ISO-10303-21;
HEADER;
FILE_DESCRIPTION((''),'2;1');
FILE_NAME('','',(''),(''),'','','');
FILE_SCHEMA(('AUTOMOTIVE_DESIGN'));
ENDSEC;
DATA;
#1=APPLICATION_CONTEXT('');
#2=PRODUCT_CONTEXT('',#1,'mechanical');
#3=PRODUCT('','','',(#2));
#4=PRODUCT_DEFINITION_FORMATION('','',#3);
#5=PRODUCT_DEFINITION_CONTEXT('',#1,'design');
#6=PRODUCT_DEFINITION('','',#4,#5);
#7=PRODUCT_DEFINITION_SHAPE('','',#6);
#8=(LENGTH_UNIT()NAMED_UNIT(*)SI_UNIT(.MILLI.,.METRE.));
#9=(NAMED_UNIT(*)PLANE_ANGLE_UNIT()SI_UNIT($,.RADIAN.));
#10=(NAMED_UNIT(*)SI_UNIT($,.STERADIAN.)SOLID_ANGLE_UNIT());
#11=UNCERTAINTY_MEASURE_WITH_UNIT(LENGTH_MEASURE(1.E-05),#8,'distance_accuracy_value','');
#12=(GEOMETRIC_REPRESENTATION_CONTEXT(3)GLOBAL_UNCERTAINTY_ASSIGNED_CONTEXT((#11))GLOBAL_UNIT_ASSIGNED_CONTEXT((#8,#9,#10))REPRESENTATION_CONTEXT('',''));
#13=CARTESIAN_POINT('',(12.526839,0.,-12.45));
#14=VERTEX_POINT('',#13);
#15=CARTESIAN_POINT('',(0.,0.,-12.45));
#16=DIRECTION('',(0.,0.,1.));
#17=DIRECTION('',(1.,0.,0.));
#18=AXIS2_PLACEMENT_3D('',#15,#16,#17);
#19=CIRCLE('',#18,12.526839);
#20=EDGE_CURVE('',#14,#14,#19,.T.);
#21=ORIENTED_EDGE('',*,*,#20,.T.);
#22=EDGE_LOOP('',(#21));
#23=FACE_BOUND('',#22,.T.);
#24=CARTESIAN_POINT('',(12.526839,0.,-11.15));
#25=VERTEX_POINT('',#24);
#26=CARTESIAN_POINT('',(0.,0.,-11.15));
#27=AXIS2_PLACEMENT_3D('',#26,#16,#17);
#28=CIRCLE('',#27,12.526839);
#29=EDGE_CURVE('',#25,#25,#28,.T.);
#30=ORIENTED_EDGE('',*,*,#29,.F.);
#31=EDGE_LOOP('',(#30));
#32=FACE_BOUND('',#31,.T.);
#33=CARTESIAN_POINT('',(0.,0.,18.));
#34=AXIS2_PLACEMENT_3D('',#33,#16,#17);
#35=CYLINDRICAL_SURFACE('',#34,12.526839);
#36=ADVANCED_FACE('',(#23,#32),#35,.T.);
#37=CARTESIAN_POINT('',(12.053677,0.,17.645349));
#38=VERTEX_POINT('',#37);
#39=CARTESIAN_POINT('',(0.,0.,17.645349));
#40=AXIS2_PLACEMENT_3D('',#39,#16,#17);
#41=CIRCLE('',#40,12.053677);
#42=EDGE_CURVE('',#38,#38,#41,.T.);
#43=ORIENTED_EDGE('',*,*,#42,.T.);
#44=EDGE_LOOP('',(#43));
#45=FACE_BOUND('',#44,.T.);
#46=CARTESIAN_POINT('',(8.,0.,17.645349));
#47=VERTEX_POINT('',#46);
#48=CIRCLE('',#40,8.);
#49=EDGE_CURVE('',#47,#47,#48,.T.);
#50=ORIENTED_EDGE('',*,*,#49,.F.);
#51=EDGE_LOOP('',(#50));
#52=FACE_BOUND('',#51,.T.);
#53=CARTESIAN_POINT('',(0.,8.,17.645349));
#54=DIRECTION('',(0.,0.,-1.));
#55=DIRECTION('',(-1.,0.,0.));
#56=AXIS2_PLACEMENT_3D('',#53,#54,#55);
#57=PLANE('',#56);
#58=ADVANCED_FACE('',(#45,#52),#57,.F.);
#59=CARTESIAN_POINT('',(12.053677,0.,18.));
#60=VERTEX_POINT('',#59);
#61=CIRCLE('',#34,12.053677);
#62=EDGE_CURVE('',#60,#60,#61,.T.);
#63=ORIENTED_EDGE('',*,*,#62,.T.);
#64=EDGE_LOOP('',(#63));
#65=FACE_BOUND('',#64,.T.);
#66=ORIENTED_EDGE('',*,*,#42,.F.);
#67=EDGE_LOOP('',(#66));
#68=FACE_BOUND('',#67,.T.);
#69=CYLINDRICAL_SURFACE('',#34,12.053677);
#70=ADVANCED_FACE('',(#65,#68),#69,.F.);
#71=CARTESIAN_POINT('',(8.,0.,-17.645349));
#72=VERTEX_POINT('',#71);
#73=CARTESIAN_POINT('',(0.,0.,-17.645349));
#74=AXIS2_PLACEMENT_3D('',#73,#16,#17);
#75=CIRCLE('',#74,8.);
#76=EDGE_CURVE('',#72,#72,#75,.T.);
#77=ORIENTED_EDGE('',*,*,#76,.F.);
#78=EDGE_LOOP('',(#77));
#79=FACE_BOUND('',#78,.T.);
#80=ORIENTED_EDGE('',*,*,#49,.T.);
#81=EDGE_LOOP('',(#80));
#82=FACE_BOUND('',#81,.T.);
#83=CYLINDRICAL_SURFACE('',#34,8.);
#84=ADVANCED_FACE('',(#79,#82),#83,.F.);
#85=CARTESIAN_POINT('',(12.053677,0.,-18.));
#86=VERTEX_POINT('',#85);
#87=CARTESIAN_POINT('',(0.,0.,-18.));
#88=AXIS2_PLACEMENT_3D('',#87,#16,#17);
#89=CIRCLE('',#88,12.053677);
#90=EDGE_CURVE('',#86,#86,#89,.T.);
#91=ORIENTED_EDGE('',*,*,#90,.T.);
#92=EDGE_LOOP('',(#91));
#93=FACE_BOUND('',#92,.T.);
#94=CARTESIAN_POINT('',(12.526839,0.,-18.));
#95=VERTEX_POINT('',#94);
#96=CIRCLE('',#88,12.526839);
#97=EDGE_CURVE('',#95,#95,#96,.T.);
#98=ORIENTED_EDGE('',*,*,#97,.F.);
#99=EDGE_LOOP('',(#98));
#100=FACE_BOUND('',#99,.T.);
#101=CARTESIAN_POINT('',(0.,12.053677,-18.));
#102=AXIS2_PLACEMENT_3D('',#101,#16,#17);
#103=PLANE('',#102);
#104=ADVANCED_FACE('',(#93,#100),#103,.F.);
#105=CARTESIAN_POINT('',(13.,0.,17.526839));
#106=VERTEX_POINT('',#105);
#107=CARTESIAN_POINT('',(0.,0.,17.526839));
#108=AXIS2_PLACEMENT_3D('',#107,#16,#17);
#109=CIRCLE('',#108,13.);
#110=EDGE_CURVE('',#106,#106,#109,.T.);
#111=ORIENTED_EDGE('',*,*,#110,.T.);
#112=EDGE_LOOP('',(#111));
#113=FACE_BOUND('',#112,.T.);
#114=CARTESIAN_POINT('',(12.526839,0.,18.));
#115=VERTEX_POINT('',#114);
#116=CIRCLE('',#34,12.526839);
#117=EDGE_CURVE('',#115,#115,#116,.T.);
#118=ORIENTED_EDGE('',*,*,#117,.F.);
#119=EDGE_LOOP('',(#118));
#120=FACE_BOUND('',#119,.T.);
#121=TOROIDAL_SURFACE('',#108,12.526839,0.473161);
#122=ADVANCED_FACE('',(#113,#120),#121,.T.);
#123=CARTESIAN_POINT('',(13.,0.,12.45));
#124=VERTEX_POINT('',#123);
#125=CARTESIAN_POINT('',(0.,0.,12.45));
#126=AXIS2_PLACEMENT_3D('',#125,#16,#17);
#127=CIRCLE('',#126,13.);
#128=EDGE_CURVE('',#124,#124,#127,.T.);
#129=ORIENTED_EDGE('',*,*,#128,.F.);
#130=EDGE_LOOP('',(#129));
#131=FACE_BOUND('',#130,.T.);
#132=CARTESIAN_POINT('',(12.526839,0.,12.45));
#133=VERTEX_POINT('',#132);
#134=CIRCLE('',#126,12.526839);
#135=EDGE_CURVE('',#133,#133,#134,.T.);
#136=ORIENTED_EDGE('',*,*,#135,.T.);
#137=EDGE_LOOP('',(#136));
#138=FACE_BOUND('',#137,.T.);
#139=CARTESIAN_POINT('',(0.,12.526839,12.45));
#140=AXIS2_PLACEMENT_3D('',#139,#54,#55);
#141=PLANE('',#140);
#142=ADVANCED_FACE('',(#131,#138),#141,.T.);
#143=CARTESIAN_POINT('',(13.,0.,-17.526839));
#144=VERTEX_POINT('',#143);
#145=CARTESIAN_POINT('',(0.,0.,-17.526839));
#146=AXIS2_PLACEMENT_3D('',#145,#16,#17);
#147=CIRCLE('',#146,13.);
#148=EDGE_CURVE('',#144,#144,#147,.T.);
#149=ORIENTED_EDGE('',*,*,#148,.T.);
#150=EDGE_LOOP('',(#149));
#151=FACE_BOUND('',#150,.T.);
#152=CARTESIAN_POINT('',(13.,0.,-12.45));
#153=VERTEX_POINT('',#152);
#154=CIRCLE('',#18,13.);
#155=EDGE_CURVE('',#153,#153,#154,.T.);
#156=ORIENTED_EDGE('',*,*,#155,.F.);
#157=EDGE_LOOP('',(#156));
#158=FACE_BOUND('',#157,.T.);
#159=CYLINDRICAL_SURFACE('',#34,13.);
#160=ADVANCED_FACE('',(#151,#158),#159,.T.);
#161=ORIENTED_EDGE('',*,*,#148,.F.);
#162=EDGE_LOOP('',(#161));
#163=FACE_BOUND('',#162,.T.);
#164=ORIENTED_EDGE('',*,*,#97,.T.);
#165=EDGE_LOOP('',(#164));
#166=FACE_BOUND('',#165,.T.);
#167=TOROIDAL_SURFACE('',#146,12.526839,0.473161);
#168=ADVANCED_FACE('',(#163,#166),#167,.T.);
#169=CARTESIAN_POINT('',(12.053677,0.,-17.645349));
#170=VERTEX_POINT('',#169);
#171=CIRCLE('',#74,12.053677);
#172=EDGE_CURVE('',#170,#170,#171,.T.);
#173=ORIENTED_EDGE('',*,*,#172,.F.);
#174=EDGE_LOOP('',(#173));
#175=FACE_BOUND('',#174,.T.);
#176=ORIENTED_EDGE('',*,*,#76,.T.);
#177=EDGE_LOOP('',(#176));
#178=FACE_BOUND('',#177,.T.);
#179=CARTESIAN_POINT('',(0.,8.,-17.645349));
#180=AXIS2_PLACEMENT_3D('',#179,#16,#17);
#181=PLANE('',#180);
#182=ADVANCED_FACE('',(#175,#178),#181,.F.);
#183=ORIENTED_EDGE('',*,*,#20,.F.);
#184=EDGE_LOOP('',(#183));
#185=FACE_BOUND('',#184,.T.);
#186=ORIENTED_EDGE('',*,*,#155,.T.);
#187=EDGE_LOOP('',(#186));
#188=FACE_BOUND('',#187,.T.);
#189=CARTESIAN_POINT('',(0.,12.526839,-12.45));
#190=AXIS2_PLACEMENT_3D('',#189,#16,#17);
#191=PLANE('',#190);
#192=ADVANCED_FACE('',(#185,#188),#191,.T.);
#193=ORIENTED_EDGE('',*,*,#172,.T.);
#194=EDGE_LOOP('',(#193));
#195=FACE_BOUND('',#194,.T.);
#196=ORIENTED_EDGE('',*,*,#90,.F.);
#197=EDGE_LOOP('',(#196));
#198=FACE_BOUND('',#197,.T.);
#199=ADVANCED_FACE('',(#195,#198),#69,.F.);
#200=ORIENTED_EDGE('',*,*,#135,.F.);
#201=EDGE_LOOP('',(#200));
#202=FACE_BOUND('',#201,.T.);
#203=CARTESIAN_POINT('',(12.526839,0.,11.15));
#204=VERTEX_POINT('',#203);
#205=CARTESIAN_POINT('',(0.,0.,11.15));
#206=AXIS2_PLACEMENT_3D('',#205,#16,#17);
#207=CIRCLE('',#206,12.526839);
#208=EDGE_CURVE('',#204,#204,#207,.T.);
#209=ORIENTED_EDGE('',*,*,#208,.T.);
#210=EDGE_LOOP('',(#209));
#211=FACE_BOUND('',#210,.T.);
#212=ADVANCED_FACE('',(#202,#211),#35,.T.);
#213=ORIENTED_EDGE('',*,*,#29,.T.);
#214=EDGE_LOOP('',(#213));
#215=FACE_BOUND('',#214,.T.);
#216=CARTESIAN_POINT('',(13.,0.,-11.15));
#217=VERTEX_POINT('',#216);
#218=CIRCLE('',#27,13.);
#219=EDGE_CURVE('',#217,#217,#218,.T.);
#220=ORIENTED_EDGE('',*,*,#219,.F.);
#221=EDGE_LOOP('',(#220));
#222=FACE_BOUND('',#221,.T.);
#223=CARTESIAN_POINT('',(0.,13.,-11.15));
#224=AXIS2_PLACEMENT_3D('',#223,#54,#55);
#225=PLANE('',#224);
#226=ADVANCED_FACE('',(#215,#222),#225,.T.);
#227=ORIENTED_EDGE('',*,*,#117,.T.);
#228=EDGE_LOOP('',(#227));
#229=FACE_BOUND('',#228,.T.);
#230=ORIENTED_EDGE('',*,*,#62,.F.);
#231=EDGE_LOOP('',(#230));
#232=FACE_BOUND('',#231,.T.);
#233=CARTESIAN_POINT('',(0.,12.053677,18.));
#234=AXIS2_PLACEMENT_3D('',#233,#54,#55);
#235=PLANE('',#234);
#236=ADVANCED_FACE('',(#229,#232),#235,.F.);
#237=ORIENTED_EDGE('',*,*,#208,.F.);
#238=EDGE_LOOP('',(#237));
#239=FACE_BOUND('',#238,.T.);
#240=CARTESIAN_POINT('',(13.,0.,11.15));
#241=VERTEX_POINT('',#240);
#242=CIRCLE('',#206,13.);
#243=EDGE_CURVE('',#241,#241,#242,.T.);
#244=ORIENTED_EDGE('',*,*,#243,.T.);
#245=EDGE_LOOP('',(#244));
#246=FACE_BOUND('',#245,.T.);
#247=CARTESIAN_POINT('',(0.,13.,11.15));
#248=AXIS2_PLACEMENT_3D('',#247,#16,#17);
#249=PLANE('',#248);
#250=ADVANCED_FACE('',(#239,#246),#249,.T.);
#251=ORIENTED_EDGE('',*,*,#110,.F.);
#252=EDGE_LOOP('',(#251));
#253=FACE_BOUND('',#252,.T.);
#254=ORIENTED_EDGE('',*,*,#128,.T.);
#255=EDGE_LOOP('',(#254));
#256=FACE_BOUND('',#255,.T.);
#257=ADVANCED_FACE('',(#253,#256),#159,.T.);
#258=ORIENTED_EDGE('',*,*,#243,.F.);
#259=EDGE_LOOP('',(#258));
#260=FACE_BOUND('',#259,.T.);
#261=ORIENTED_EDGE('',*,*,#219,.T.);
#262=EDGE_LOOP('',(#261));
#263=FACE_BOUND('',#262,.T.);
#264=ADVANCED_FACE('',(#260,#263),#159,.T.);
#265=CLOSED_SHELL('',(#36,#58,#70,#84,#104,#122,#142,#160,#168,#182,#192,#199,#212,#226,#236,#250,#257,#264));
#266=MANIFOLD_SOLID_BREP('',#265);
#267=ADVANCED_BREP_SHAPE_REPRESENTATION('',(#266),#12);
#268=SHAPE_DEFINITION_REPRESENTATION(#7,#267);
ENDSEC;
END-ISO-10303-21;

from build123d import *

# Parameters (mm, degrees)
SKETCH3_W = 1.3
SKETCH3_H = 0.473161305


with BuildPart() as part:
    # Sketch2 → Body (revolve)
    with BuildSketch(Plane(origin=(0, 0, 0), x_dir=(0, 0, -1), z_dir=(1, 0, 0))):
        with BuildLine():
            Line((-17.645349183, 12.053677391), (-18, 12.053677391))
            Line((-18, 12.053677391), (-18, 12.526838695))
            ThreePointArc((-18, 12.526838695), (-17.861414262, 12.861414262), (-17.526838695, 13))
            Line((-17.526838695, 13), (17.526838695, 13))
            ThreePointArc((17.526838695, 13), (17.861414262, 12.861414262), (18, 12.526838695))
            Line((18, 12.526838695), (18, 12.053677391))
            Line((18, 12.053677391), (17.645349183, 12.053677391))
            Line((17.645349183, 12.053677391), (17.645349183, 8))
            Line((17.645349183, 8), (-17.645349183, 8))
            Line((-17.645349183, 8), (-17.645349183, 12.053677391))
        make_face()
    revolve(axis=Axis((0, 0, 18), (0, 0, -1)))

    # Sketch3 → Track (revolve, cut)
    with BuildSketch(Plane(origin=(0, 0, 0), x_dir=(0, 0, -1), z_dir=(1, 0, 0))):
        with Locations((11.8, 12.763419348)):
            Rectangle(SKETCH3_W, SKETCH3_H)
        with Locations((-11.8, 12.763419348)):
            Rectangle(SKETCH3_W, SKETCH3_H)
    revolve(axis=Axis((0, 0, 18), (0, 0, -1)), mode=Mode.SUBTRACT)


solid = part.part
